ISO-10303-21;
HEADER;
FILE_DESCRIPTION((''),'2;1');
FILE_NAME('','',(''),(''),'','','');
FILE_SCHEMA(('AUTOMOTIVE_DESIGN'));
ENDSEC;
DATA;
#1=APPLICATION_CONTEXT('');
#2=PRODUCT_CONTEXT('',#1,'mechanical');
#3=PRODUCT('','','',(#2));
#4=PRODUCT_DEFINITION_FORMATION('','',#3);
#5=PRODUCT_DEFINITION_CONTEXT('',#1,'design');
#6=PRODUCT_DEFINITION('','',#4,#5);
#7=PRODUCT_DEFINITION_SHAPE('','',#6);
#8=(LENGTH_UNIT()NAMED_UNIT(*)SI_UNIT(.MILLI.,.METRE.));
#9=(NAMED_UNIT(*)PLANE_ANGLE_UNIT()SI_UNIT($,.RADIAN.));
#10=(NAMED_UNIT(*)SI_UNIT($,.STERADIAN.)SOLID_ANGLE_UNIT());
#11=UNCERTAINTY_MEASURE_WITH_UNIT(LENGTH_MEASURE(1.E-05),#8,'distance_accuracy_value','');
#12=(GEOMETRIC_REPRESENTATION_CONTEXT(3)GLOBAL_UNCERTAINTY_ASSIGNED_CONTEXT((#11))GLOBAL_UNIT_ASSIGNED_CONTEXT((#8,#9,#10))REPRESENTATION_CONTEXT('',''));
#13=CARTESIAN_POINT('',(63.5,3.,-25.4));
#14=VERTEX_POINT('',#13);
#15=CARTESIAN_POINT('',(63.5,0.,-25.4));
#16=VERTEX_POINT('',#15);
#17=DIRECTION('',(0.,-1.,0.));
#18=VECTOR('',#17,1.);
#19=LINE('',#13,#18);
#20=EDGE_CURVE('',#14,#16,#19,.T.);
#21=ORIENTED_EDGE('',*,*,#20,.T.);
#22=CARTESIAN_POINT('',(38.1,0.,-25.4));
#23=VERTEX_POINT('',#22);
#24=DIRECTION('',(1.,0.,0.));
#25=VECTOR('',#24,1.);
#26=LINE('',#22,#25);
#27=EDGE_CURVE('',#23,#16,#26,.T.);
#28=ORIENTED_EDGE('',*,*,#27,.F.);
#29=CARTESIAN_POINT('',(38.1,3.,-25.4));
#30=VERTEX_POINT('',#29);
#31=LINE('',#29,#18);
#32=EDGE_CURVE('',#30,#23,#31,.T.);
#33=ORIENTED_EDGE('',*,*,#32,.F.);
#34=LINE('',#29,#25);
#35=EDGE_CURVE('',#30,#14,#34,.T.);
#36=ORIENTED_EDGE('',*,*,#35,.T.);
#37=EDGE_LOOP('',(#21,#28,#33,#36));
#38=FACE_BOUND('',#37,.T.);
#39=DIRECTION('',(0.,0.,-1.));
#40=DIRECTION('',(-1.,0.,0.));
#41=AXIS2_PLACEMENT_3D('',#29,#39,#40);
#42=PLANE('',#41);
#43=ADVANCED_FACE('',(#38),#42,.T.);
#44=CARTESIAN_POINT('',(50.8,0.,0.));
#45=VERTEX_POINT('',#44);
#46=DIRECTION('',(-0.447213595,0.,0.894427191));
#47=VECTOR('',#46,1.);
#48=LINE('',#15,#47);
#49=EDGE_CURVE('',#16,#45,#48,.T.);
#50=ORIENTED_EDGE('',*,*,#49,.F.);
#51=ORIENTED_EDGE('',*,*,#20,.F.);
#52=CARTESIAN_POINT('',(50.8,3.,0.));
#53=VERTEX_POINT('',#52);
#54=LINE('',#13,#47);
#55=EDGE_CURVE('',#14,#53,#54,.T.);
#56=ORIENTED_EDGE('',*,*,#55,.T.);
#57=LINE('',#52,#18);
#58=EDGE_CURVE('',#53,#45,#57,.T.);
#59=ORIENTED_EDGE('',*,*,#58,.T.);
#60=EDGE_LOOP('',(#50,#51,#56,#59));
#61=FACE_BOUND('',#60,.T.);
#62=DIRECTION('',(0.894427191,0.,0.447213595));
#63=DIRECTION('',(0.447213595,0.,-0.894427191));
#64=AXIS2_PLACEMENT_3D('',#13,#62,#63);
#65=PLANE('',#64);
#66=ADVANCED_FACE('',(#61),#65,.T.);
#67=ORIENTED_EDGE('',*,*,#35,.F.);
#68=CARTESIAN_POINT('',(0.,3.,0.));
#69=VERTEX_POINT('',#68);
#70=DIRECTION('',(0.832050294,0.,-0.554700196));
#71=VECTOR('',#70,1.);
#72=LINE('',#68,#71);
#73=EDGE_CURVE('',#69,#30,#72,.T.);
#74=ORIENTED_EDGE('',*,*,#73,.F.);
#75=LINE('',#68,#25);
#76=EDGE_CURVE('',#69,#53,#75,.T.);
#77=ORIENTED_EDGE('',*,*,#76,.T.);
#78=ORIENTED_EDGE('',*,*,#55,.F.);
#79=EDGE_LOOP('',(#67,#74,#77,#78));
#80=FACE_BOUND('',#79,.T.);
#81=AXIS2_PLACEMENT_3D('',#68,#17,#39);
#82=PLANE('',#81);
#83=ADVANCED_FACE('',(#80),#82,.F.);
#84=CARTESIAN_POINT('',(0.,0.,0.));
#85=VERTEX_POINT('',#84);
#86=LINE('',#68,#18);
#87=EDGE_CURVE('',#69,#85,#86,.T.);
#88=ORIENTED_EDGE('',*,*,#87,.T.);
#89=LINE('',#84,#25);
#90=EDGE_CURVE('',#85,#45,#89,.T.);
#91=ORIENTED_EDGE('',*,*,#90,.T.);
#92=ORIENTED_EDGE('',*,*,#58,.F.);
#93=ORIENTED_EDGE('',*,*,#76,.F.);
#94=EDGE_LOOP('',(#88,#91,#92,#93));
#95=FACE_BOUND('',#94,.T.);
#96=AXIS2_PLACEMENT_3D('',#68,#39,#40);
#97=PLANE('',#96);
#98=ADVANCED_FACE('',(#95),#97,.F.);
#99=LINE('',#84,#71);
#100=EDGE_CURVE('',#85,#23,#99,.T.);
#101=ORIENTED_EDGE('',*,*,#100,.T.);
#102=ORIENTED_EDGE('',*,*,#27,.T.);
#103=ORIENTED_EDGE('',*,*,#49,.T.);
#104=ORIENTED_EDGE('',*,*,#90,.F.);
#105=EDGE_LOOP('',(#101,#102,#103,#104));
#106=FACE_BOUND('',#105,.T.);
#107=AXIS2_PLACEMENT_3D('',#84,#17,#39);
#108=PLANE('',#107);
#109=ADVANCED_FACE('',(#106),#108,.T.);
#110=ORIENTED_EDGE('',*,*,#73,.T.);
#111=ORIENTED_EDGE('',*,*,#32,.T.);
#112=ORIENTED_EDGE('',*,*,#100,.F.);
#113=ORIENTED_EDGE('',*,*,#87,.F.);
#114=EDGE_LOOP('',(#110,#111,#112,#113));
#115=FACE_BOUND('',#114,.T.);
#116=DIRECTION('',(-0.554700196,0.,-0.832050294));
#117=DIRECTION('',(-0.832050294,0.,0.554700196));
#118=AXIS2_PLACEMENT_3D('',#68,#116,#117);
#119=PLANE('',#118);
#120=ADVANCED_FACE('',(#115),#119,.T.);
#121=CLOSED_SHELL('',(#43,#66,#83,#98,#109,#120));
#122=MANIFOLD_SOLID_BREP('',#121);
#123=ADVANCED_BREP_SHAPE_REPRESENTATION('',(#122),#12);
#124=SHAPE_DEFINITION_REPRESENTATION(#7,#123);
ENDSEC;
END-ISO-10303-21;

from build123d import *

# Parameters (mm, degrees)
BOSS_EXTRUDE1_DEPTH = 3


with BuildPart() as part:
    # Sketch1 → Boss-Extrude1 (new body)
    with BuildSketch(Plane(origin=(0, 0, 0), x_dir=(1, 0, 0), z_dir=(0, 1, 0))):
        Polygon((0, 0), (50.8, 0), (63.5, 25.4), (38.1, 25.4), align=None)
    extrude(amount=BOSS_EXTRUDE1_DEPTH)


solid = part.part
